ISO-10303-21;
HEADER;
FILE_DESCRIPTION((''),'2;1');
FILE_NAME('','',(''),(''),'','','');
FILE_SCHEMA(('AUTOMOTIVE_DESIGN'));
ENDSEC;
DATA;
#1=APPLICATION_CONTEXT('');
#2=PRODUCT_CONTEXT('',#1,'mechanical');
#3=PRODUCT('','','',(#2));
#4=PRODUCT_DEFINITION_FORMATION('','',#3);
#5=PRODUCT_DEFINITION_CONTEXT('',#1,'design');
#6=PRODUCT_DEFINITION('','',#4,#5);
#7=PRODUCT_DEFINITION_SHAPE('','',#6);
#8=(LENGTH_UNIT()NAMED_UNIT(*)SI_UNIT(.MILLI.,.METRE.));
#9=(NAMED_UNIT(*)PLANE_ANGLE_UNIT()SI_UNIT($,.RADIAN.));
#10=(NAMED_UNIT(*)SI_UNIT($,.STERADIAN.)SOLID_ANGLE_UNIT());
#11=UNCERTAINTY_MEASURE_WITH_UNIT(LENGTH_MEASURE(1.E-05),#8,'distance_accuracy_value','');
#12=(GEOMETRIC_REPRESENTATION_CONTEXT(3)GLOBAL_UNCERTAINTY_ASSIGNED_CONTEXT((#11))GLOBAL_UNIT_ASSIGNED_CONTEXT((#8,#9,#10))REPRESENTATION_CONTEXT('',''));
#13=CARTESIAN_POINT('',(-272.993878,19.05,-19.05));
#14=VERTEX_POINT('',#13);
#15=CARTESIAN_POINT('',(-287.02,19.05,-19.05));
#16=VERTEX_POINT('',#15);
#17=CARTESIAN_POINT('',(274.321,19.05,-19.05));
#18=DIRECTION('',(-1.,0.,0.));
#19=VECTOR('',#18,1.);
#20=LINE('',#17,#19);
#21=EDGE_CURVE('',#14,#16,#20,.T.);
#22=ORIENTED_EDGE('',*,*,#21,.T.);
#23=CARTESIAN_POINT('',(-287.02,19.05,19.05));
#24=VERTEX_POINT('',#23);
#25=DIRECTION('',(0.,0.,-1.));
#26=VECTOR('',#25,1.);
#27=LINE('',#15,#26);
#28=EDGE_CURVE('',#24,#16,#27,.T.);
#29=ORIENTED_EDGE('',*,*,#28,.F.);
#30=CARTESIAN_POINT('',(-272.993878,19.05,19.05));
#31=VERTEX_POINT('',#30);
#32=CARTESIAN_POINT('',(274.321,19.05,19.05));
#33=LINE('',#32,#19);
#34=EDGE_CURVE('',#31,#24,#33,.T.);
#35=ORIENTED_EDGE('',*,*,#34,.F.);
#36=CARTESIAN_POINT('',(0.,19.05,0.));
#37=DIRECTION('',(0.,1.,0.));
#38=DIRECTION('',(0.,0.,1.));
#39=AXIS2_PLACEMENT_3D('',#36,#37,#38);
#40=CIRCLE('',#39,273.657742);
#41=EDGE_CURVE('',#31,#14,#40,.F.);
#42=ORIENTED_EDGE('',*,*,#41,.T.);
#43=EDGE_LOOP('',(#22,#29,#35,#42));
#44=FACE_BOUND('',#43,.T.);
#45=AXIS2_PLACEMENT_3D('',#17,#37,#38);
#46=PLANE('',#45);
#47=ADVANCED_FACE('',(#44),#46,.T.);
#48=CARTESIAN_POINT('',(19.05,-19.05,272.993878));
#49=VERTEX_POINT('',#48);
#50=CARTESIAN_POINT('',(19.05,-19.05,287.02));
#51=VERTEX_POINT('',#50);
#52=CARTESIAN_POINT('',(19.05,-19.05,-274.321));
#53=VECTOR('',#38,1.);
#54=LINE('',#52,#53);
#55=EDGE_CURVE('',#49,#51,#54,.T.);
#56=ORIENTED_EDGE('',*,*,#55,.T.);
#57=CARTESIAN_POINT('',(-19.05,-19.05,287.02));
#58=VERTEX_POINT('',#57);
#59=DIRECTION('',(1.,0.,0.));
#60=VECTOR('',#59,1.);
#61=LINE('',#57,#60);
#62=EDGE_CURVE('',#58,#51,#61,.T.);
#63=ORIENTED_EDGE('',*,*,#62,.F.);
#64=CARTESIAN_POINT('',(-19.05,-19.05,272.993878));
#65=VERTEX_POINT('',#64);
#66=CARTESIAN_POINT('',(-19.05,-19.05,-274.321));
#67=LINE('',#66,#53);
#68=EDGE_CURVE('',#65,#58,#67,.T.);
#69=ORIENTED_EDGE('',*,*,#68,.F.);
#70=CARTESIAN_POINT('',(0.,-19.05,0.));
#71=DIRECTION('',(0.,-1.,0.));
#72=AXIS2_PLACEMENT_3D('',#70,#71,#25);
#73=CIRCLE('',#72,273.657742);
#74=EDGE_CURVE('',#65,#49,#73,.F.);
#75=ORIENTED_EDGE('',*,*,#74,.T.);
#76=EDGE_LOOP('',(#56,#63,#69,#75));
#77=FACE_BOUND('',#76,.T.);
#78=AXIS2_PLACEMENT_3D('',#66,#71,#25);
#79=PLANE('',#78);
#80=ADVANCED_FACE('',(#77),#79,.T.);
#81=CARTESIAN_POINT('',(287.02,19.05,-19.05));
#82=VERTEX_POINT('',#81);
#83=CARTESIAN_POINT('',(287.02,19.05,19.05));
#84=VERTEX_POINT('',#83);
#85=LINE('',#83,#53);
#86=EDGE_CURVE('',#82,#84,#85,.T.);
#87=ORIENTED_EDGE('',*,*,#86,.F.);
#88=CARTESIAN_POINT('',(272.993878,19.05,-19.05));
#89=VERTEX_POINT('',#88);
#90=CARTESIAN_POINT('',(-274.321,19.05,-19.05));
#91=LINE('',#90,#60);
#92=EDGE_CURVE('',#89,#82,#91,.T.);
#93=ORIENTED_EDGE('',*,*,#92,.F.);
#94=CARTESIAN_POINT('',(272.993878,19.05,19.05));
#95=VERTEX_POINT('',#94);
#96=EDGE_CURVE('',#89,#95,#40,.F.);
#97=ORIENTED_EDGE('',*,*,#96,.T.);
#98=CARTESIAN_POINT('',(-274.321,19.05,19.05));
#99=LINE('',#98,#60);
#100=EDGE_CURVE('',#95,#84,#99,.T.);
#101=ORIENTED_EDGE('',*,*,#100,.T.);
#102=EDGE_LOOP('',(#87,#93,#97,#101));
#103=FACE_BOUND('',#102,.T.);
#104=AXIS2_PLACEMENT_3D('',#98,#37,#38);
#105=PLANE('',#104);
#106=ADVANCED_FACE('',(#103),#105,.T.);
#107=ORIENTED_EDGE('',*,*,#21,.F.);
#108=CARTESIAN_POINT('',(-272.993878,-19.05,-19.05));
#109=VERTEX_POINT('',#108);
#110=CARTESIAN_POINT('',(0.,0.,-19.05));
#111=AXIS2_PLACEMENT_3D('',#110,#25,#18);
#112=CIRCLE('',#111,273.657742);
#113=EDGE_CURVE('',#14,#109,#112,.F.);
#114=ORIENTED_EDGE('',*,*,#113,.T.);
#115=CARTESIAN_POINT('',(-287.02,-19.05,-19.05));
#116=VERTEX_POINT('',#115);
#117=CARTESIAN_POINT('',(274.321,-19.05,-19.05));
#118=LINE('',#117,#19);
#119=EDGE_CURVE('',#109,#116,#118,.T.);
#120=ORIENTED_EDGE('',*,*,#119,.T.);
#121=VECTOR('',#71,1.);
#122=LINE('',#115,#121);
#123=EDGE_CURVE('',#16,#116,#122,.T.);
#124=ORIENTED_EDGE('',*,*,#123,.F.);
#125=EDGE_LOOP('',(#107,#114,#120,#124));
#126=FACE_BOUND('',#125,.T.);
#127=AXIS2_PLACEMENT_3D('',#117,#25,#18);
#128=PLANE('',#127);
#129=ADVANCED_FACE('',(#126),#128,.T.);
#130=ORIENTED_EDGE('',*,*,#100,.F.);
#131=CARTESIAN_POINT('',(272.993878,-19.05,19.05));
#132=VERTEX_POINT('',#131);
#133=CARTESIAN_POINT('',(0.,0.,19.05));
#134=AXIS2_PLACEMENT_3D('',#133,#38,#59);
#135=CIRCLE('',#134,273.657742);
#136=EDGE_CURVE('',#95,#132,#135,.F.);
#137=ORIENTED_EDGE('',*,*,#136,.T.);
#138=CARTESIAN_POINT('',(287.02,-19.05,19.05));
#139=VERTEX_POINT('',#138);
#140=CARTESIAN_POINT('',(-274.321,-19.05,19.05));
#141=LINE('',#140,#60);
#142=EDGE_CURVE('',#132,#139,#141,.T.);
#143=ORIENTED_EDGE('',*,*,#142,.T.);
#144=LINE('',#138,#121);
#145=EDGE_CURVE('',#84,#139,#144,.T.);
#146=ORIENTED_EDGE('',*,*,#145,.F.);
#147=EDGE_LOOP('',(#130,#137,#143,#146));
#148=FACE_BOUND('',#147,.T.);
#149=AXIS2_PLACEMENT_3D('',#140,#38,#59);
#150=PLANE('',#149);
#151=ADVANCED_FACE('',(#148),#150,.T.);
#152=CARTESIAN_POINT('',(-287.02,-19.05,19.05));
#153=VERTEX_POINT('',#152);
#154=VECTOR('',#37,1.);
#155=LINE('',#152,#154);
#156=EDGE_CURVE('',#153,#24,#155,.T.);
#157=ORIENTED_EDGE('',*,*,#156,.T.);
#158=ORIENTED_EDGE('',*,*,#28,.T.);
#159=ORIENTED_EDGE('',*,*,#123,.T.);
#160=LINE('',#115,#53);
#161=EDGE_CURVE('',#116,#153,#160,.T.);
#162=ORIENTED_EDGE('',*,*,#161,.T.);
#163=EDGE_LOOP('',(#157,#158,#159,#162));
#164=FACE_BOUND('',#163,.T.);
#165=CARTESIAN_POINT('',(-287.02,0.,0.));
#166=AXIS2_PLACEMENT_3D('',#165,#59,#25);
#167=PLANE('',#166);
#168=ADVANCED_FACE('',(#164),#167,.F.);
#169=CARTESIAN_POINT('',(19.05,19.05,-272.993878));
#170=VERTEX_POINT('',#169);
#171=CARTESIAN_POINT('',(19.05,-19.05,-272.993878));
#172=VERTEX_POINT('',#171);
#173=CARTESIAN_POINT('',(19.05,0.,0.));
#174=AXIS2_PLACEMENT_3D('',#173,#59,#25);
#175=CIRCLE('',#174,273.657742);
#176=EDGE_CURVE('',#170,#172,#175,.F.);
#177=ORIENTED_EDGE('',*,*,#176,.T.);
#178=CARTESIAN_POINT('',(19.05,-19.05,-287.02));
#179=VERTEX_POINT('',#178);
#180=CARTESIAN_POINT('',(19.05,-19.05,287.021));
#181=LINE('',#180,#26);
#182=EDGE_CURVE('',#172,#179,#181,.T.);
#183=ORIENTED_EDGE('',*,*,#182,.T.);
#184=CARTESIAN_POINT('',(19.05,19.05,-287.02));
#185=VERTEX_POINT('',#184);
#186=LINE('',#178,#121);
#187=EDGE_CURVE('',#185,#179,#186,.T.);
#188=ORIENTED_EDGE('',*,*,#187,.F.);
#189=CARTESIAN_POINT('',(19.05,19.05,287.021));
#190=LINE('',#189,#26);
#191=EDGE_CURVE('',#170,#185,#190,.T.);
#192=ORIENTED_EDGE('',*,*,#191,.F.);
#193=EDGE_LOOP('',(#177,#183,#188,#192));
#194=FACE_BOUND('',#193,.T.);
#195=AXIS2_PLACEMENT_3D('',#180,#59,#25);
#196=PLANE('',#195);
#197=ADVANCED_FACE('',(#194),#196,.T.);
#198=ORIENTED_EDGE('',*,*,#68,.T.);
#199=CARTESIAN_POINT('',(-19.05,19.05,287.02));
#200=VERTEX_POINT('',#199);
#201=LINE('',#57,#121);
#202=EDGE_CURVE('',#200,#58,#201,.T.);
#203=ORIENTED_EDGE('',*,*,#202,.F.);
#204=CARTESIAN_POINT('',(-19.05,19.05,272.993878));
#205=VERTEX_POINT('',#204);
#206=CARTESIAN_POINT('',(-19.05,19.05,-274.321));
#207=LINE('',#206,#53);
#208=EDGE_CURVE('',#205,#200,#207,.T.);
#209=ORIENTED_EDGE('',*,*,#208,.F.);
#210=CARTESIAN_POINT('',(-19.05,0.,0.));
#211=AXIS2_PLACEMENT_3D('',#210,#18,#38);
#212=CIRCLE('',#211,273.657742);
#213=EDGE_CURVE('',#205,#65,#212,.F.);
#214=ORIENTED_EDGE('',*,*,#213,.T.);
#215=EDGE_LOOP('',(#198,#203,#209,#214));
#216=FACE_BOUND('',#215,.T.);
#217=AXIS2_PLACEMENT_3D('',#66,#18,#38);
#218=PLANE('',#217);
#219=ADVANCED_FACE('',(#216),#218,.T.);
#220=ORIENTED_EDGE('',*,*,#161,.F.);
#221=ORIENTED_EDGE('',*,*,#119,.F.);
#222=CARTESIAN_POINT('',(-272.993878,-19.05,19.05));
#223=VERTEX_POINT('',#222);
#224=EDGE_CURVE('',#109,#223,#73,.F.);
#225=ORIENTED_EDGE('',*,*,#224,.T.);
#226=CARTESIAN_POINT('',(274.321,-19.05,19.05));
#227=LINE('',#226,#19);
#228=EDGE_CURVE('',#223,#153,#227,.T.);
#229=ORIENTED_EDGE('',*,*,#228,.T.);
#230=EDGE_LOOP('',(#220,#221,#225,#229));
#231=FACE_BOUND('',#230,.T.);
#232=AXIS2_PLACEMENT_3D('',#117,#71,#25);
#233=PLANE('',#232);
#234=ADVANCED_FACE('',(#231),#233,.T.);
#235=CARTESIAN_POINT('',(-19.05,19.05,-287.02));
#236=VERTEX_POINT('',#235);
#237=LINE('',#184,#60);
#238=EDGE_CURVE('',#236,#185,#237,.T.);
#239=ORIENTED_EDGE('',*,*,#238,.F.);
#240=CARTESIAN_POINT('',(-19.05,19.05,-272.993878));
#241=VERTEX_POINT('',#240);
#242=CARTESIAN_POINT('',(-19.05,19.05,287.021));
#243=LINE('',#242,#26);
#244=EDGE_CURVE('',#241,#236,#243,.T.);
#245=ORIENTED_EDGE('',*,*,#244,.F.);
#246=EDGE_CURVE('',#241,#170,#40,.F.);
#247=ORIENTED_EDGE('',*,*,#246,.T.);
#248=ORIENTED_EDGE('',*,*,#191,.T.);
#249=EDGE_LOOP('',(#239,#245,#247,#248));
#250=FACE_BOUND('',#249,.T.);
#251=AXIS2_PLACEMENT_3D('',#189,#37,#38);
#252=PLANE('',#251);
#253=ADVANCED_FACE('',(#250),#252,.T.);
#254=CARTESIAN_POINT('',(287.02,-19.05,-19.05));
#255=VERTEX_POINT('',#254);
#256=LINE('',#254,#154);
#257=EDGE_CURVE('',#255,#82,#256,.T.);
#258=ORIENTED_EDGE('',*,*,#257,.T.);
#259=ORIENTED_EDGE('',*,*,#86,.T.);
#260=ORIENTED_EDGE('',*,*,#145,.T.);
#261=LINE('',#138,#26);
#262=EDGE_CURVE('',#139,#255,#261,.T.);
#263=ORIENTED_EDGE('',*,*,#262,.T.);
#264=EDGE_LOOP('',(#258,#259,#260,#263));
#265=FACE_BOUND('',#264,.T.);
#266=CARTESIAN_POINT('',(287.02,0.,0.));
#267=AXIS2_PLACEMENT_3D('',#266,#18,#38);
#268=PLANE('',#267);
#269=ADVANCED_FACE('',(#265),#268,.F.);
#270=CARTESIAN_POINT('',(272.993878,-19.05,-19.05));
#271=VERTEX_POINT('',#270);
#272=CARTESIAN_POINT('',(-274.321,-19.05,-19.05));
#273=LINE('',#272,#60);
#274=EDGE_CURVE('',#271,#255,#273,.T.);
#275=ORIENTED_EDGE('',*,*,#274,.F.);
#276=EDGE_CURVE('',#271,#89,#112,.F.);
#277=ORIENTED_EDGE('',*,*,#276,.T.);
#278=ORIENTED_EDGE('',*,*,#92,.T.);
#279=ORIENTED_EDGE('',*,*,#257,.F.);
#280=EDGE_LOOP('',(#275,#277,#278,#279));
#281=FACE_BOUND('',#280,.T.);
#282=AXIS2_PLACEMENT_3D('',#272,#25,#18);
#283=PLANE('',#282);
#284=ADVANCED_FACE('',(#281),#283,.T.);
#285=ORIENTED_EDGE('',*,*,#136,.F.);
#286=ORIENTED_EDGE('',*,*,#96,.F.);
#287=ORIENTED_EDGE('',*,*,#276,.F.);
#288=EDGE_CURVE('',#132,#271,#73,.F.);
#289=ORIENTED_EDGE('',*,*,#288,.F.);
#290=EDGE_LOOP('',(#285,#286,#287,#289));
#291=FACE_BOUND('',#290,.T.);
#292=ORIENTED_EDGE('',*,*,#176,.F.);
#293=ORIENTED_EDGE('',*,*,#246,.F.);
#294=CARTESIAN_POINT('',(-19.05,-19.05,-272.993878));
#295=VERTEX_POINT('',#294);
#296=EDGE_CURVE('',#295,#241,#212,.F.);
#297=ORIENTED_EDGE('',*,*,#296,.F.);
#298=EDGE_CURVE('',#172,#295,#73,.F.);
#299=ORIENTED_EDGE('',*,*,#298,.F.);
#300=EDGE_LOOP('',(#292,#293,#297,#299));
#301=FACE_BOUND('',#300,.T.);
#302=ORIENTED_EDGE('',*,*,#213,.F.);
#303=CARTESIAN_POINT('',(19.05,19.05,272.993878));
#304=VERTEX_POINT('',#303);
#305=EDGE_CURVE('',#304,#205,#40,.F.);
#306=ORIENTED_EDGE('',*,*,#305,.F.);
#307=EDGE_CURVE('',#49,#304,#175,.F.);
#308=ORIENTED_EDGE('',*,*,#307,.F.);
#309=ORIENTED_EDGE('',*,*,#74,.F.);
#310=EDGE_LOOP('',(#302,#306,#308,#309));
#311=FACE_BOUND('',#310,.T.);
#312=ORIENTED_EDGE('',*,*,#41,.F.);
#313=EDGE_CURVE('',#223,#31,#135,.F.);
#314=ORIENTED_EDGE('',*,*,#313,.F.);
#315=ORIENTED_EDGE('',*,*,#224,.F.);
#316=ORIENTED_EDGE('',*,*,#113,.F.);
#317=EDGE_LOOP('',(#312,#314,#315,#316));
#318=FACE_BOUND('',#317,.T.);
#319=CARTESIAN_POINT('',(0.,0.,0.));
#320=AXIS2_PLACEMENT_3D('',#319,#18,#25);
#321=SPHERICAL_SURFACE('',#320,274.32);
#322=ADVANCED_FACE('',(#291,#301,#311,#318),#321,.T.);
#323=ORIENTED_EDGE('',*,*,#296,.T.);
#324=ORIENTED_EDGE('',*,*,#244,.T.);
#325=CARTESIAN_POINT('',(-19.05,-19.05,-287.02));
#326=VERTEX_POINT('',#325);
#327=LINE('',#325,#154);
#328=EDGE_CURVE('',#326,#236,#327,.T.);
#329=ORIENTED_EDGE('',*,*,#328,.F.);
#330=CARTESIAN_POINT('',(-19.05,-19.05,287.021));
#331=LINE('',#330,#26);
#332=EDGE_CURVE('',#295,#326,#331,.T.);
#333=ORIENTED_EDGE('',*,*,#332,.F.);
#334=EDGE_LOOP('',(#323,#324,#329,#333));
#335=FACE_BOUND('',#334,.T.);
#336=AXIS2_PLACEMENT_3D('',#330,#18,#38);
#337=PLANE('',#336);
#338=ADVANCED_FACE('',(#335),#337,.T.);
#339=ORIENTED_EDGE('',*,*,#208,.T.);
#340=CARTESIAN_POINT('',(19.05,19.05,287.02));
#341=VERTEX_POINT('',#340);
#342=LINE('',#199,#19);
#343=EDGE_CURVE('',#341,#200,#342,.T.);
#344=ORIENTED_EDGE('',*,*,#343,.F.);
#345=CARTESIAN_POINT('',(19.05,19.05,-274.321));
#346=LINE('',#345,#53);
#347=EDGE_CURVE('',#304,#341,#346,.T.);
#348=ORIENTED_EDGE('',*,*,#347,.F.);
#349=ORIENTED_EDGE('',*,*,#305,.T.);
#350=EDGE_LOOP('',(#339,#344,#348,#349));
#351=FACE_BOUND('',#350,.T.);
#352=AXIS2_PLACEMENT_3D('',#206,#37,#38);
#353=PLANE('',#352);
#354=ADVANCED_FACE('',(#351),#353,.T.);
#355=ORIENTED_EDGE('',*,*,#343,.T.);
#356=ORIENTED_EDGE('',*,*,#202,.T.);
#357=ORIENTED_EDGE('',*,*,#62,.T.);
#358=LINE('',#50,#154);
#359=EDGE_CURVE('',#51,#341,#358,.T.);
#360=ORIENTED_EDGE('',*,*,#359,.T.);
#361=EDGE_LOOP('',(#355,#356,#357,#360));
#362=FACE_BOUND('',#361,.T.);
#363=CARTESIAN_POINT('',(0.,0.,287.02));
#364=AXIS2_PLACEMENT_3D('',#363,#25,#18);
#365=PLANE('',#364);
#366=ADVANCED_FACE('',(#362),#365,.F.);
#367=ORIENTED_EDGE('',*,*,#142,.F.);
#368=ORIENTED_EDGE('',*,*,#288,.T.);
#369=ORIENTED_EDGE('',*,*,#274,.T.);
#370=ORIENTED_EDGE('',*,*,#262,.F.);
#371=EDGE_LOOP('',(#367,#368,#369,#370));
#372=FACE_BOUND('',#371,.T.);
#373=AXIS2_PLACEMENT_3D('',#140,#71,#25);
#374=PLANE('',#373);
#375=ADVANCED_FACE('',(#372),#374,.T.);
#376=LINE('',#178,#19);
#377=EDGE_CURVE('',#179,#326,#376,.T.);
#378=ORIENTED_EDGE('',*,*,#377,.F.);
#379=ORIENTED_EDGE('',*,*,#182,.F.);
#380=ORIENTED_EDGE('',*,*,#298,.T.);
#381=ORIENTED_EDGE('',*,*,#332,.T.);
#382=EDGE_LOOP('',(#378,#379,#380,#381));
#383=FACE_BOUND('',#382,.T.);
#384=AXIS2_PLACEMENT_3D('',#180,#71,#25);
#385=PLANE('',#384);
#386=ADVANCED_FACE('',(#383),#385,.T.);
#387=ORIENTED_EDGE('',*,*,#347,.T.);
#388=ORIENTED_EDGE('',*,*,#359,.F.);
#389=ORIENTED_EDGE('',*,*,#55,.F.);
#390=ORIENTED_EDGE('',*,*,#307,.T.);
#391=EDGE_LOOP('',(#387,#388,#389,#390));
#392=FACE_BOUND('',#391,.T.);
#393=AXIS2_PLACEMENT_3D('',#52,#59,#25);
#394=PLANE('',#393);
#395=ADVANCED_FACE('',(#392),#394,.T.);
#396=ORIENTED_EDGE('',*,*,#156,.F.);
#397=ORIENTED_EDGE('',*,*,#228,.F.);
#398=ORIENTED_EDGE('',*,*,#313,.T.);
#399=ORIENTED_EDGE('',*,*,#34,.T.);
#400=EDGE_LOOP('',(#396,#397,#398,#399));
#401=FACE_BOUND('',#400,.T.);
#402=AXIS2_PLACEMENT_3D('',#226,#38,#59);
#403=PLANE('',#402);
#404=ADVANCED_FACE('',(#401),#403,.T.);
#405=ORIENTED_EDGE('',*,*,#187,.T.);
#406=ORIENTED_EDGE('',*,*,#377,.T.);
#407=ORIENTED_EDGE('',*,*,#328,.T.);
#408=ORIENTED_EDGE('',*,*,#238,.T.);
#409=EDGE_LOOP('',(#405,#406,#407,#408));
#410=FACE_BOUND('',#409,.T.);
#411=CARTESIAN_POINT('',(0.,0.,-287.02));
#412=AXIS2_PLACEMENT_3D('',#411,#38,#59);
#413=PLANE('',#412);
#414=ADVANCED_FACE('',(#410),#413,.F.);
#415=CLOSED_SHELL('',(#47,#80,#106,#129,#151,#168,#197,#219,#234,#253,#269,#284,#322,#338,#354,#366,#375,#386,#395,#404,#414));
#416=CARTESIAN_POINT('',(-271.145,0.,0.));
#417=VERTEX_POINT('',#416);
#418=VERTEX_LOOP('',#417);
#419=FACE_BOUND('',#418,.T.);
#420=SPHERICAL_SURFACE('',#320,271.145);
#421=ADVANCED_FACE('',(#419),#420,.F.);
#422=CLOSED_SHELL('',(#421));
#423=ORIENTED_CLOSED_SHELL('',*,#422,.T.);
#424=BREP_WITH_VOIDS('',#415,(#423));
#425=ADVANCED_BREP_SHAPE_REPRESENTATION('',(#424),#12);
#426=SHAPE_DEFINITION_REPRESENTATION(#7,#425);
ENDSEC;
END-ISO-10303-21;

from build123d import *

# Parameters (mm, degrees)
SHELL1_T                 = 3.175
BOSS_EXTRUDE2_REACH      = 684.353
BOSS_EXTRUDE2_END_RADIUS = 274.32
SKETCH4_W                = 38.1
SKETCH4_H                = 38.1
CIRPATTERN2_COUNT        = 4


with BuildPart() as part:
    # Sketch1 → Revolve6 (revolve)
    with BuildSketch(Plane(origin=(0, 0, 0), x_dir=(1, 0, 0), z_dir=(0, 1, 0))):
        with BuildLine():
            Line((-274.32, 0), (274.32, 0))
            ThreePointArc((274.32, 0), (0, 274.32), (-274.32, 0))
        make_face()
    revolve(axis=Axis((-274.32, 0, 0), (1, 0, 0)))

    # Shell1 (no face opened: a closed hollow body)
    add(offset(amount=-SHELL1_T, mode=Mode.PRIVATE), mode=Mode.SUBTRACT)

    # Boss-Extrude2: up to this sphere (the profile starts outside it)
    boss_extrude2_end = Location((0, 0, 0)) * Sphere(BOSS_EXTRUDE2_END_RADIUS, mode=Mode.PRIVATE)
    # Sketch4 → Boss-Extrude2 (add, up to the surface)
    with BuildSketch(Plane.XY.offset(287.02), mode=Mode.PRIVATE) as boss_extrude2_sk1:
        Rectangle(SKETCH4_W, SKETCH4_H)
    boss_extrude2_tool1 = extrude(boss_extrude2_sk1.sketch, amount=-BOSS_EXTRUDE2_REACH, mode=Mode.PRIVATE) - boss_extrude2_end
    boss_extrude2 = boss_extrude2_tool1.solids().sort_by_distance((0, 0, 287.02))[0]
    add(boss_extrude2)

    # CirPattern2: Boss-Extrude2 ×4 about axis
    cirpattern2_axis = Axis((0, 0, 0), (0, 1, 0))
    for i in range(1, CIRPATTERN2_COUNT):
        add(boss_extrude2.rotate(cirpattern2_axis, i * 360 / CIRPATTERN2_COUNT))


solid = part.part
